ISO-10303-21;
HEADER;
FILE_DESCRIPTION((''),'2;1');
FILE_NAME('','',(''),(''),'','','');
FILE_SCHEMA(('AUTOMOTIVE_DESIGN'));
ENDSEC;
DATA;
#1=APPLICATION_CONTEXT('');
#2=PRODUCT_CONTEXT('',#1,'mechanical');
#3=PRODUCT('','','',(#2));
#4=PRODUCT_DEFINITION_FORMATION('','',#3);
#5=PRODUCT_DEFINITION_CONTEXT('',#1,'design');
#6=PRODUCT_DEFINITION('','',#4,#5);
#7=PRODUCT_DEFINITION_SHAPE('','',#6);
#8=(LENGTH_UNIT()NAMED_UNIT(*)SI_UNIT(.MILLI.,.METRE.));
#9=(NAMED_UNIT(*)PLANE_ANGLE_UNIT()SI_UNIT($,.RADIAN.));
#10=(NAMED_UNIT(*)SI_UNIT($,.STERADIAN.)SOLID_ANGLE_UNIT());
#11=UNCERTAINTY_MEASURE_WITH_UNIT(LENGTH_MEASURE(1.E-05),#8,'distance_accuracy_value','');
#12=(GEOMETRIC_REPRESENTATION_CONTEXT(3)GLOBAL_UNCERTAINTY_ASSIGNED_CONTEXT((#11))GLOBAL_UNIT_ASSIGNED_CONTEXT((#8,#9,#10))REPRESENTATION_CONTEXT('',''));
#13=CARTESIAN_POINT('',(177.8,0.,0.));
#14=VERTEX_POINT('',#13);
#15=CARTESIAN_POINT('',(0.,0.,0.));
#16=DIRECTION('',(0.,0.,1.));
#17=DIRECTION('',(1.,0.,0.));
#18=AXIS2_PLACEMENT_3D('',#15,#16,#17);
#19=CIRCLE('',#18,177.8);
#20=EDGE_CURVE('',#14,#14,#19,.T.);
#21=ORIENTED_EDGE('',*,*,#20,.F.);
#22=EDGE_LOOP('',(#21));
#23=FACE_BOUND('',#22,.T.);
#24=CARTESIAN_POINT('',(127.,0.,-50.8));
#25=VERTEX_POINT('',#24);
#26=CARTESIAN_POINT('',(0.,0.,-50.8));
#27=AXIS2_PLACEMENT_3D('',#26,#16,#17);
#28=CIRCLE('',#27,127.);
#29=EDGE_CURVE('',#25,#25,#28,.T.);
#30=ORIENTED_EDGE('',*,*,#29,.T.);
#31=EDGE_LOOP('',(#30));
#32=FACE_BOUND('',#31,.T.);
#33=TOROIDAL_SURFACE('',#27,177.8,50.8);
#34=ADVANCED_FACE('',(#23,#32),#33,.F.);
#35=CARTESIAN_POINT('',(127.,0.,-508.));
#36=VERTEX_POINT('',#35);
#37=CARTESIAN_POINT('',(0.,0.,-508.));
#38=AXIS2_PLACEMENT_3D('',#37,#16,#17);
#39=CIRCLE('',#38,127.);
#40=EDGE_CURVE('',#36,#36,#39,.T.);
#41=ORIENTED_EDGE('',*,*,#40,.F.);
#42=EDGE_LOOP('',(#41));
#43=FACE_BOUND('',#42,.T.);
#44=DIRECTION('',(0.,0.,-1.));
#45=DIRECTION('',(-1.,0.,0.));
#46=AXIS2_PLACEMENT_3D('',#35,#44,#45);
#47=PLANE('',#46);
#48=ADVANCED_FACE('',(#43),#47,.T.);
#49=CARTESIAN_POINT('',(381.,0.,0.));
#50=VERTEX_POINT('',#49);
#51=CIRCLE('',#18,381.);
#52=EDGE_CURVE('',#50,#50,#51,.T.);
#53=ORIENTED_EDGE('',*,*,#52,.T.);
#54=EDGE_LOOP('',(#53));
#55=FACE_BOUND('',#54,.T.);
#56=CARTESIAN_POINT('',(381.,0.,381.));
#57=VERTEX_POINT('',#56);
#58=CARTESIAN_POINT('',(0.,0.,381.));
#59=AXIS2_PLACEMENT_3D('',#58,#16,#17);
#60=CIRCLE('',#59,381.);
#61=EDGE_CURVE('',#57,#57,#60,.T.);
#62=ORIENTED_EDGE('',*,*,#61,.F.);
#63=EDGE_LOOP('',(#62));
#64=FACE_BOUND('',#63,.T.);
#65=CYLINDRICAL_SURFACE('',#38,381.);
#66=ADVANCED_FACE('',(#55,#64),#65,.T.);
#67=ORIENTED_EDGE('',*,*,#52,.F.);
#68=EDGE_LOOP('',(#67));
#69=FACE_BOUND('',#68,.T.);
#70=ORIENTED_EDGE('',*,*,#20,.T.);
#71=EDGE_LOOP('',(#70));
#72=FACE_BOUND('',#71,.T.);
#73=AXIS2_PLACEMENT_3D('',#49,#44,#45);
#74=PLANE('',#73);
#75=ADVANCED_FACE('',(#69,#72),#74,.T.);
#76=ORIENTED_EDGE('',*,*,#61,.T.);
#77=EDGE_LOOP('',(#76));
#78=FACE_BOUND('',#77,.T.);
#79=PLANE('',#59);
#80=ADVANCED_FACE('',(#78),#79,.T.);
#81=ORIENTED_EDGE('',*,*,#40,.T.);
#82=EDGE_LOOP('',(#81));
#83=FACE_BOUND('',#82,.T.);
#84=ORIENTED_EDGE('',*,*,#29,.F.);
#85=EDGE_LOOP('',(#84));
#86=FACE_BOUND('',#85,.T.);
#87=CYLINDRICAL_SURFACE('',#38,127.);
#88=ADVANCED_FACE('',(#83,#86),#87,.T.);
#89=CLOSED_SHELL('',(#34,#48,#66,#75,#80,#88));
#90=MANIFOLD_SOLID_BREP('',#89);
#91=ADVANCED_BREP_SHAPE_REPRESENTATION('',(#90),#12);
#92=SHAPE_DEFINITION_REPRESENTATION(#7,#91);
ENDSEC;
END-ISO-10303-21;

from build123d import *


with BuildPart() as part:
    # Sketch1 → Revolve1 (revolve)
    with BuildSketch(Plane(origin=(0, 0, 0), x_dir=(1, 0, 0), z_dir=(0, 1, 0))):
        with BuildLine():
            Line((127, 508), (0, 508))
            Line((0, 508), (0, -381))
            Line((0, -381), (381, -381))
            Line((381, -381), (381, 0))
            Line((381, 0), (177.8, 0))
            ThreePointArc((177.8, 0), (141.878975516, 14.878975516), (127, 50.8))
            Line((127, 50.8), (127, 508))
        make_face()
    revolve(axis=Axis((0, 0, -508), (0, 0, 1)))


solid = part.part
